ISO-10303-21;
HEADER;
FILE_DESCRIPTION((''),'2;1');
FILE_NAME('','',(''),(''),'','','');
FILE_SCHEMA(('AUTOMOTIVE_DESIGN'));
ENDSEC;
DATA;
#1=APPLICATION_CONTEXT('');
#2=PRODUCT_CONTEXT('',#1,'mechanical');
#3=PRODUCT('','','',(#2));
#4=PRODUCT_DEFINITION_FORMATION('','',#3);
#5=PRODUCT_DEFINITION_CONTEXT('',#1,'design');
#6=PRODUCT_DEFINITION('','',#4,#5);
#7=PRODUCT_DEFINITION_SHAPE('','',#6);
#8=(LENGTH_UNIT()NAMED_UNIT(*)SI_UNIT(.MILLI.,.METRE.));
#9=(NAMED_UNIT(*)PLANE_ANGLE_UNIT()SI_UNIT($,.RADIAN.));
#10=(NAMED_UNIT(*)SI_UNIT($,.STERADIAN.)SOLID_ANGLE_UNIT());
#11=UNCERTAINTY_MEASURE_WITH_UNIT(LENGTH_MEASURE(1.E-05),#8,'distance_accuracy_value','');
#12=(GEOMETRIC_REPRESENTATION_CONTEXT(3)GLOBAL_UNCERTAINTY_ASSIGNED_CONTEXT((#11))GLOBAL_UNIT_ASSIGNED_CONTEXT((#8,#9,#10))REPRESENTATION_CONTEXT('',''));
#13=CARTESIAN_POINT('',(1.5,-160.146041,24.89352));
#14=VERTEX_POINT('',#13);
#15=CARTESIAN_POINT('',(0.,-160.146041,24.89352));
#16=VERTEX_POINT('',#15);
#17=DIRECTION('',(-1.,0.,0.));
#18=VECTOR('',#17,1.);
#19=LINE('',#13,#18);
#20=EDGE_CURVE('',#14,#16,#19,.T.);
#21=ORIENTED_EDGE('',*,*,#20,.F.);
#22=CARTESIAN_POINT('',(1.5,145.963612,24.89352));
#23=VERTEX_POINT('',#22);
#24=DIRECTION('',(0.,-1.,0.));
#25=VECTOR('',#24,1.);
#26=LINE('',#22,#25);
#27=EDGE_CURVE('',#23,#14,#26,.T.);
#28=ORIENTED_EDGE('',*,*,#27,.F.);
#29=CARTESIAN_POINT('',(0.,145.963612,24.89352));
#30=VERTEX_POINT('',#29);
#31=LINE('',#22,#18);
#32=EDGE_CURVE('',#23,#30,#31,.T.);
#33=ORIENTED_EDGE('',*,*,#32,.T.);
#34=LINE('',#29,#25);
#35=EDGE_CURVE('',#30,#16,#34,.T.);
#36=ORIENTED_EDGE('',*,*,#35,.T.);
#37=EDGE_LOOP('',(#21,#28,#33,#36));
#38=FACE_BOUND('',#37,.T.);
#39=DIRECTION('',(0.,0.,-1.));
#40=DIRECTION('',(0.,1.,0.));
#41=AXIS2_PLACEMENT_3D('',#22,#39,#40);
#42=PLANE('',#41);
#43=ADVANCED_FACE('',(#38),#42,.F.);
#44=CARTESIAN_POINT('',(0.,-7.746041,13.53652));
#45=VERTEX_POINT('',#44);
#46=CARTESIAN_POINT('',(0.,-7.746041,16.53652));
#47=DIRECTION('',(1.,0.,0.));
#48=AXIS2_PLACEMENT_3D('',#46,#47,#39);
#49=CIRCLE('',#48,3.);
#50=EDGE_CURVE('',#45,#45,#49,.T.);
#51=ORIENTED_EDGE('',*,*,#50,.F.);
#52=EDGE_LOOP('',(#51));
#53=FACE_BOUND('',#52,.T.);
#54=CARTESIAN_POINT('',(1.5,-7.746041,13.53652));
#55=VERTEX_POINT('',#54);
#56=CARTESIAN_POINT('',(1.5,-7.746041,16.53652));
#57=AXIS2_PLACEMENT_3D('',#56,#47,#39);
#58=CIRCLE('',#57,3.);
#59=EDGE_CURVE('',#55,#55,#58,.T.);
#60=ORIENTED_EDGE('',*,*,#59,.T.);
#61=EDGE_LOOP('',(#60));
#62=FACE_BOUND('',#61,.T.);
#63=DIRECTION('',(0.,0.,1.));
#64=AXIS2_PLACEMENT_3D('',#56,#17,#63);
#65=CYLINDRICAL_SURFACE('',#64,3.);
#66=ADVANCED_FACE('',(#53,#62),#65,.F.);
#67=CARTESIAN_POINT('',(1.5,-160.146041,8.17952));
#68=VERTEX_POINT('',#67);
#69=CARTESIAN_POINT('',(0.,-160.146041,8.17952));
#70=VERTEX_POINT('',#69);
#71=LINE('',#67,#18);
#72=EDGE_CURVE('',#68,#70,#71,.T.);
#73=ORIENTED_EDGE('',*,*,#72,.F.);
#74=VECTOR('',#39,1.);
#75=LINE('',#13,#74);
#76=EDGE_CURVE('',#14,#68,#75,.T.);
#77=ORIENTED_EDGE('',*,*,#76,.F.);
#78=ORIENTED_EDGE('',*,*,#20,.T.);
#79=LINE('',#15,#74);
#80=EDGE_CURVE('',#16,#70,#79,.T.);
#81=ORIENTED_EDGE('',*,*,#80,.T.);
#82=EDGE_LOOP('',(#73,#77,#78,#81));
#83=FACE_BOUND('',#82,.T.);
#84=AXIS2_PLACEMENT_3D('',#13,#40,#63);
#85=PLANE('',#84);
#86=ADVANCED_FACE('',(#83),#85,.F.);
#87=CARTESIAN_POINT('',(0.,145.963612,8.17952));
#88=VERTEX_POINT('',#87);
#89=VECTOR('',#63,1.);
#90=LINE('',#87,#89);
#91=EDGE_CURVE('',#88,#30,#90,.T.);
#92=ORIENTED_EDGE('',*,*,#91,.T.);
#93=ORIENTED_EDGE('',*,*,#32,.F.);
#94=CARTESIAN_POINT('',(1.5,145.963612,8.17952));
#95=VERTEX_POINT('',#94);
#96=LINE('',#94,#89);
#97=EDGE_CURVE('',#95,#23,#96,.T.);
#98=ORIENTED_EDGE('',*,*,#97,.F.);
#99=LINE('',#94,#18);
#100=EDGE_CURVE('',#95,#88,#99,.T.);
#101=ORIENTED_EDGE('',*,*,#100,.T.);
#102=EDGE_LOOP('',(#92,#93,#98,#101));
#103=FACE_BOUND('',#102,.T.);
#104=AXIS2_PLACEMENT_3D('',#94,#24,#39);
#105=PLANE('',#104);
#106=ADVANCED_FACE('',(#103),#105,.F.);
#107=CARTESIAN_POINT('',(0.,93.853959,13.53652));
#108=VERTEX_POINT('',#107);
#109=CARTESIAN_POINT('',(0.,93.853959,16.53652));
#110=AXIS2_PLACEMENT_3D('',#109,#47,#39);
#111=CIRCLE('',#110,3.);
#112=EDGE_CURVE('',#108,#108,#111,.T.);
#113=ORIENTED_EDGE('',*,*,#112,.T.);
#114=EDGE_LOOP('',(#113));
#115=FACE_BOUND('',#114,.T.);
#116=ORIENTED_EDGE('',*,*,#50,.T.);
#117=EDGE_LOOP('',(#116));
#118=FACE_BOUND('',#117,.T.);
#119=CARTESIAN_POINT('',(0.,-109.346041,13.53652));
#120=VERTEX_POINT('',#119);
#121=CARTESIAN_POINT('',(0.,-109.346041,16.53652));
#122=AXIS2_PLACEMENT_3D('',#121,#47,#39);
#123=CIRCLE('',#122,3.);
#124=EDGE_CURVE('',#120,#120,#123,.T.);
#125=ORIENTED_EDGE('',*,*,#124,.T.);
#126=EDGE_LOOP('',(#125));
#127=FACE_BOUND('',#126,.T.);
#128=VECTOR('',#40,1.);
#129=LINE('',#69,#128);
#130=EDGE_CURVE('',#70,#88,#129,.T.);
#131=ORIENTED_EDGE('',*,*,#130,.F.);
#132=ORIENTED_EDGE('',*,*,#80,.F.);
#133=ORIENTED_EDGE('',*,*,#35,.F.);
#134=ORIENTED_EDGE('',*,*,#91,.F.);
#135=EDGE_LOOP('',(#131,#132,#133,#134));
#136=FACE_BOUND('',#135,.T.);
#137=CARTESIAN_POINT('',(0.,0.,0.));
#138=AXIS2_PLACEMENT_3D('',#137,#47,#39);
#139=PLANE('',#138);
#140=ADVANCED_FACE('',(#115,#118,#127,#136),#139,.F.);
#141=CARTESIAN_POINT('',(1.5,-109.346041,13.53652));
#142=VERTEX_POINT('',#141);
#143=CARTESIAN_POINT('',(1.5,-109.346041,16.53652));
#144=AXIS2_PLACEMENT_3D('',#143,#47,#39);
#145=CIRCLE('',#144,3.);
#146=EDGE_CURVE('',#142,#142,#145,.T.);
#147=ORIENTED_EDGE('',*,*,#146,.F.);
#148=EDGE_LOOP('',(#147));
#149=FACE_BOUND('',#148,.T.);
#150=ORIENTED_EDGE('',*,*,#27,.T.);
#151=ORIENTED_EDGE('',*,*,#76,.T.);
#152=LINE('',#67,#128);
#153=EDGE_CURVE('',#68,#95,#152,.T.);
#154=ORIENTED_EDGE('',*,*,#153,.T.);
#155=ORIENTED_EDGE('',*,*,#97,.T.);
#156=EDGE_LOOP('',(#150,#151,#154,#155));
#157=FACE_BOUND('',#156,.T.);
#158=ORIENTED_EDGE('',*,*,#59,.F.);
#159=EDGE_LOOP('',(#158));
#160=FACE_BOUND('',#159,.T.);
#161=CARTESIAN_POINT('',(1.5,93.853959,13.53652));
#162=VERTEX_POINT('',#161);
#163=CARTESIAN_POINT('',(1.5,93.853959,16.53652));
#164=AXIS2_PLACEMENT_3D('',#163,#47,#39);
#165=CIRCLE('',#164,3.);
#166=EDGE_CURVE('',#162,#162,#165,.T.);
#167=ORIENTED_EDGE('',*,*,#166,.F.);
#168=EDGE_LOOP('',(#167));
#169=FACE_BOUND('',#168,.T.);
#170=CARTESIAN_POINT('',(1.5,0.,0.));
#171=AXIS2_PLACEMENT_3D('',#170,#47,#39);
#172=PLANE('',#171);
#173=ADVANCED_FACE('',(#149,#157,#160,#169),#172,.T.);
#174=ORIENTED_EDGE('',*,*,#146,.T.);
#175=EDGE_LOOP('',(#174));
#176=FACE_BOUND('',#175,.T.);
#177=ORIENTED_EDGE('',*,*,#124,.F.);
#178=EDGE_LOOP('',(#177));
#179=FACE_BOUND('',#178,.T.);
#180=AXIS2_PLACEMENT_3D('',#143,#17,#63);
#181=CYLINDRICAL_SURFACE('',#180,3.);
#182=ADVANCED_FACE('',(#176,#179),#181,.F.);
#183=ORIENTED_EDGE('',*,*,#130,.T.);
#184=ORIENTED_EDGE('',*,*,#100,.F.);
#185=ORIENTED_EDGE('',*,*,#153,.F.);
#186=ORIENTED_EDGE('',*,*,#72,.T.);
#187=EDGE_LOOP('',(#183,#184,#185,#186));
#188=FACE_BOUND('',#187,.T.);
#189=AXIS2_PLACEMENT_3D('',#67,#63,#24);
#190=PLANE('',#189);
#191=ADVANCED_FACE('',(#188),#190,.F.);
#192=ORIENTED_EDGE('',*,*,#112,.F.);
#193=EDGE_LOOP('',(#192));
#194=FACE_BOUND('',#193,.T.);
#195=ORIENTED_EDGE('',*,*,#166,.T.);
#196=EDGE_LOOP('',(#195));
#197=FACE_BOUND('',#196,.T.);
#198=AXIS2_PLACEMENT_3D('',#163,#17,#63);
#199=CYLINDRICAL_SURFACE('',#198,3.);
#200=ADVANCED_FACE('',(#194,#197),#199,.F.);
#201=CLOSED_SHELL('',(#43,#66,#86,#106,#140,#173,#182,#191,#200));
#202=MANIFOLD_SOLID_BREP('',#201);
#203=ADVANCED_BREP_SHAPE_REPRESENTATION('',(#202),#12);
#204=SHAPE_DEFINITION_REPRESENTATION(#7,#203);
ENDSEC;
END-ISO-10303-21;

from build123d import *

# Parameters (mm, degrees)
SKETCH2_W           = 16.714
SKETCH2_H           = 306.109653219
SKETCH2_R           = 3
BOSS_EXTRUDE1_DEPTH = 1.5


with BuildPart() as part:
    # Sketch2 → Boss-Extrude1 (new body)
    with BuildSketch(Plane(origin=(0, 0, 0), x_dir=(0, 0, -1), z_dir=(1, 0, 0))):
        with Locations((-16.53652008, -7.091214147)):
            Rectangle(SKETCH2_W, SKETCH2_H)
        with Locations((-16.53652008, 93.853959243)):
            Circle(SKETCH2_R, mode=Mode.SUBTRACT)
        with Locations((-16.53652008, -7.746040757)):
            Circle(SKETCH2_R, mode=Mode.SUBTRACT)
        with Locations((-16.53652008, -109.346040757)):
            Circle(SKETCH2_R, mode=Mode.SUBTRACT)
    extrude(amount=BOSS_EXTRUDE1_DEPTH)


solid = part.part
